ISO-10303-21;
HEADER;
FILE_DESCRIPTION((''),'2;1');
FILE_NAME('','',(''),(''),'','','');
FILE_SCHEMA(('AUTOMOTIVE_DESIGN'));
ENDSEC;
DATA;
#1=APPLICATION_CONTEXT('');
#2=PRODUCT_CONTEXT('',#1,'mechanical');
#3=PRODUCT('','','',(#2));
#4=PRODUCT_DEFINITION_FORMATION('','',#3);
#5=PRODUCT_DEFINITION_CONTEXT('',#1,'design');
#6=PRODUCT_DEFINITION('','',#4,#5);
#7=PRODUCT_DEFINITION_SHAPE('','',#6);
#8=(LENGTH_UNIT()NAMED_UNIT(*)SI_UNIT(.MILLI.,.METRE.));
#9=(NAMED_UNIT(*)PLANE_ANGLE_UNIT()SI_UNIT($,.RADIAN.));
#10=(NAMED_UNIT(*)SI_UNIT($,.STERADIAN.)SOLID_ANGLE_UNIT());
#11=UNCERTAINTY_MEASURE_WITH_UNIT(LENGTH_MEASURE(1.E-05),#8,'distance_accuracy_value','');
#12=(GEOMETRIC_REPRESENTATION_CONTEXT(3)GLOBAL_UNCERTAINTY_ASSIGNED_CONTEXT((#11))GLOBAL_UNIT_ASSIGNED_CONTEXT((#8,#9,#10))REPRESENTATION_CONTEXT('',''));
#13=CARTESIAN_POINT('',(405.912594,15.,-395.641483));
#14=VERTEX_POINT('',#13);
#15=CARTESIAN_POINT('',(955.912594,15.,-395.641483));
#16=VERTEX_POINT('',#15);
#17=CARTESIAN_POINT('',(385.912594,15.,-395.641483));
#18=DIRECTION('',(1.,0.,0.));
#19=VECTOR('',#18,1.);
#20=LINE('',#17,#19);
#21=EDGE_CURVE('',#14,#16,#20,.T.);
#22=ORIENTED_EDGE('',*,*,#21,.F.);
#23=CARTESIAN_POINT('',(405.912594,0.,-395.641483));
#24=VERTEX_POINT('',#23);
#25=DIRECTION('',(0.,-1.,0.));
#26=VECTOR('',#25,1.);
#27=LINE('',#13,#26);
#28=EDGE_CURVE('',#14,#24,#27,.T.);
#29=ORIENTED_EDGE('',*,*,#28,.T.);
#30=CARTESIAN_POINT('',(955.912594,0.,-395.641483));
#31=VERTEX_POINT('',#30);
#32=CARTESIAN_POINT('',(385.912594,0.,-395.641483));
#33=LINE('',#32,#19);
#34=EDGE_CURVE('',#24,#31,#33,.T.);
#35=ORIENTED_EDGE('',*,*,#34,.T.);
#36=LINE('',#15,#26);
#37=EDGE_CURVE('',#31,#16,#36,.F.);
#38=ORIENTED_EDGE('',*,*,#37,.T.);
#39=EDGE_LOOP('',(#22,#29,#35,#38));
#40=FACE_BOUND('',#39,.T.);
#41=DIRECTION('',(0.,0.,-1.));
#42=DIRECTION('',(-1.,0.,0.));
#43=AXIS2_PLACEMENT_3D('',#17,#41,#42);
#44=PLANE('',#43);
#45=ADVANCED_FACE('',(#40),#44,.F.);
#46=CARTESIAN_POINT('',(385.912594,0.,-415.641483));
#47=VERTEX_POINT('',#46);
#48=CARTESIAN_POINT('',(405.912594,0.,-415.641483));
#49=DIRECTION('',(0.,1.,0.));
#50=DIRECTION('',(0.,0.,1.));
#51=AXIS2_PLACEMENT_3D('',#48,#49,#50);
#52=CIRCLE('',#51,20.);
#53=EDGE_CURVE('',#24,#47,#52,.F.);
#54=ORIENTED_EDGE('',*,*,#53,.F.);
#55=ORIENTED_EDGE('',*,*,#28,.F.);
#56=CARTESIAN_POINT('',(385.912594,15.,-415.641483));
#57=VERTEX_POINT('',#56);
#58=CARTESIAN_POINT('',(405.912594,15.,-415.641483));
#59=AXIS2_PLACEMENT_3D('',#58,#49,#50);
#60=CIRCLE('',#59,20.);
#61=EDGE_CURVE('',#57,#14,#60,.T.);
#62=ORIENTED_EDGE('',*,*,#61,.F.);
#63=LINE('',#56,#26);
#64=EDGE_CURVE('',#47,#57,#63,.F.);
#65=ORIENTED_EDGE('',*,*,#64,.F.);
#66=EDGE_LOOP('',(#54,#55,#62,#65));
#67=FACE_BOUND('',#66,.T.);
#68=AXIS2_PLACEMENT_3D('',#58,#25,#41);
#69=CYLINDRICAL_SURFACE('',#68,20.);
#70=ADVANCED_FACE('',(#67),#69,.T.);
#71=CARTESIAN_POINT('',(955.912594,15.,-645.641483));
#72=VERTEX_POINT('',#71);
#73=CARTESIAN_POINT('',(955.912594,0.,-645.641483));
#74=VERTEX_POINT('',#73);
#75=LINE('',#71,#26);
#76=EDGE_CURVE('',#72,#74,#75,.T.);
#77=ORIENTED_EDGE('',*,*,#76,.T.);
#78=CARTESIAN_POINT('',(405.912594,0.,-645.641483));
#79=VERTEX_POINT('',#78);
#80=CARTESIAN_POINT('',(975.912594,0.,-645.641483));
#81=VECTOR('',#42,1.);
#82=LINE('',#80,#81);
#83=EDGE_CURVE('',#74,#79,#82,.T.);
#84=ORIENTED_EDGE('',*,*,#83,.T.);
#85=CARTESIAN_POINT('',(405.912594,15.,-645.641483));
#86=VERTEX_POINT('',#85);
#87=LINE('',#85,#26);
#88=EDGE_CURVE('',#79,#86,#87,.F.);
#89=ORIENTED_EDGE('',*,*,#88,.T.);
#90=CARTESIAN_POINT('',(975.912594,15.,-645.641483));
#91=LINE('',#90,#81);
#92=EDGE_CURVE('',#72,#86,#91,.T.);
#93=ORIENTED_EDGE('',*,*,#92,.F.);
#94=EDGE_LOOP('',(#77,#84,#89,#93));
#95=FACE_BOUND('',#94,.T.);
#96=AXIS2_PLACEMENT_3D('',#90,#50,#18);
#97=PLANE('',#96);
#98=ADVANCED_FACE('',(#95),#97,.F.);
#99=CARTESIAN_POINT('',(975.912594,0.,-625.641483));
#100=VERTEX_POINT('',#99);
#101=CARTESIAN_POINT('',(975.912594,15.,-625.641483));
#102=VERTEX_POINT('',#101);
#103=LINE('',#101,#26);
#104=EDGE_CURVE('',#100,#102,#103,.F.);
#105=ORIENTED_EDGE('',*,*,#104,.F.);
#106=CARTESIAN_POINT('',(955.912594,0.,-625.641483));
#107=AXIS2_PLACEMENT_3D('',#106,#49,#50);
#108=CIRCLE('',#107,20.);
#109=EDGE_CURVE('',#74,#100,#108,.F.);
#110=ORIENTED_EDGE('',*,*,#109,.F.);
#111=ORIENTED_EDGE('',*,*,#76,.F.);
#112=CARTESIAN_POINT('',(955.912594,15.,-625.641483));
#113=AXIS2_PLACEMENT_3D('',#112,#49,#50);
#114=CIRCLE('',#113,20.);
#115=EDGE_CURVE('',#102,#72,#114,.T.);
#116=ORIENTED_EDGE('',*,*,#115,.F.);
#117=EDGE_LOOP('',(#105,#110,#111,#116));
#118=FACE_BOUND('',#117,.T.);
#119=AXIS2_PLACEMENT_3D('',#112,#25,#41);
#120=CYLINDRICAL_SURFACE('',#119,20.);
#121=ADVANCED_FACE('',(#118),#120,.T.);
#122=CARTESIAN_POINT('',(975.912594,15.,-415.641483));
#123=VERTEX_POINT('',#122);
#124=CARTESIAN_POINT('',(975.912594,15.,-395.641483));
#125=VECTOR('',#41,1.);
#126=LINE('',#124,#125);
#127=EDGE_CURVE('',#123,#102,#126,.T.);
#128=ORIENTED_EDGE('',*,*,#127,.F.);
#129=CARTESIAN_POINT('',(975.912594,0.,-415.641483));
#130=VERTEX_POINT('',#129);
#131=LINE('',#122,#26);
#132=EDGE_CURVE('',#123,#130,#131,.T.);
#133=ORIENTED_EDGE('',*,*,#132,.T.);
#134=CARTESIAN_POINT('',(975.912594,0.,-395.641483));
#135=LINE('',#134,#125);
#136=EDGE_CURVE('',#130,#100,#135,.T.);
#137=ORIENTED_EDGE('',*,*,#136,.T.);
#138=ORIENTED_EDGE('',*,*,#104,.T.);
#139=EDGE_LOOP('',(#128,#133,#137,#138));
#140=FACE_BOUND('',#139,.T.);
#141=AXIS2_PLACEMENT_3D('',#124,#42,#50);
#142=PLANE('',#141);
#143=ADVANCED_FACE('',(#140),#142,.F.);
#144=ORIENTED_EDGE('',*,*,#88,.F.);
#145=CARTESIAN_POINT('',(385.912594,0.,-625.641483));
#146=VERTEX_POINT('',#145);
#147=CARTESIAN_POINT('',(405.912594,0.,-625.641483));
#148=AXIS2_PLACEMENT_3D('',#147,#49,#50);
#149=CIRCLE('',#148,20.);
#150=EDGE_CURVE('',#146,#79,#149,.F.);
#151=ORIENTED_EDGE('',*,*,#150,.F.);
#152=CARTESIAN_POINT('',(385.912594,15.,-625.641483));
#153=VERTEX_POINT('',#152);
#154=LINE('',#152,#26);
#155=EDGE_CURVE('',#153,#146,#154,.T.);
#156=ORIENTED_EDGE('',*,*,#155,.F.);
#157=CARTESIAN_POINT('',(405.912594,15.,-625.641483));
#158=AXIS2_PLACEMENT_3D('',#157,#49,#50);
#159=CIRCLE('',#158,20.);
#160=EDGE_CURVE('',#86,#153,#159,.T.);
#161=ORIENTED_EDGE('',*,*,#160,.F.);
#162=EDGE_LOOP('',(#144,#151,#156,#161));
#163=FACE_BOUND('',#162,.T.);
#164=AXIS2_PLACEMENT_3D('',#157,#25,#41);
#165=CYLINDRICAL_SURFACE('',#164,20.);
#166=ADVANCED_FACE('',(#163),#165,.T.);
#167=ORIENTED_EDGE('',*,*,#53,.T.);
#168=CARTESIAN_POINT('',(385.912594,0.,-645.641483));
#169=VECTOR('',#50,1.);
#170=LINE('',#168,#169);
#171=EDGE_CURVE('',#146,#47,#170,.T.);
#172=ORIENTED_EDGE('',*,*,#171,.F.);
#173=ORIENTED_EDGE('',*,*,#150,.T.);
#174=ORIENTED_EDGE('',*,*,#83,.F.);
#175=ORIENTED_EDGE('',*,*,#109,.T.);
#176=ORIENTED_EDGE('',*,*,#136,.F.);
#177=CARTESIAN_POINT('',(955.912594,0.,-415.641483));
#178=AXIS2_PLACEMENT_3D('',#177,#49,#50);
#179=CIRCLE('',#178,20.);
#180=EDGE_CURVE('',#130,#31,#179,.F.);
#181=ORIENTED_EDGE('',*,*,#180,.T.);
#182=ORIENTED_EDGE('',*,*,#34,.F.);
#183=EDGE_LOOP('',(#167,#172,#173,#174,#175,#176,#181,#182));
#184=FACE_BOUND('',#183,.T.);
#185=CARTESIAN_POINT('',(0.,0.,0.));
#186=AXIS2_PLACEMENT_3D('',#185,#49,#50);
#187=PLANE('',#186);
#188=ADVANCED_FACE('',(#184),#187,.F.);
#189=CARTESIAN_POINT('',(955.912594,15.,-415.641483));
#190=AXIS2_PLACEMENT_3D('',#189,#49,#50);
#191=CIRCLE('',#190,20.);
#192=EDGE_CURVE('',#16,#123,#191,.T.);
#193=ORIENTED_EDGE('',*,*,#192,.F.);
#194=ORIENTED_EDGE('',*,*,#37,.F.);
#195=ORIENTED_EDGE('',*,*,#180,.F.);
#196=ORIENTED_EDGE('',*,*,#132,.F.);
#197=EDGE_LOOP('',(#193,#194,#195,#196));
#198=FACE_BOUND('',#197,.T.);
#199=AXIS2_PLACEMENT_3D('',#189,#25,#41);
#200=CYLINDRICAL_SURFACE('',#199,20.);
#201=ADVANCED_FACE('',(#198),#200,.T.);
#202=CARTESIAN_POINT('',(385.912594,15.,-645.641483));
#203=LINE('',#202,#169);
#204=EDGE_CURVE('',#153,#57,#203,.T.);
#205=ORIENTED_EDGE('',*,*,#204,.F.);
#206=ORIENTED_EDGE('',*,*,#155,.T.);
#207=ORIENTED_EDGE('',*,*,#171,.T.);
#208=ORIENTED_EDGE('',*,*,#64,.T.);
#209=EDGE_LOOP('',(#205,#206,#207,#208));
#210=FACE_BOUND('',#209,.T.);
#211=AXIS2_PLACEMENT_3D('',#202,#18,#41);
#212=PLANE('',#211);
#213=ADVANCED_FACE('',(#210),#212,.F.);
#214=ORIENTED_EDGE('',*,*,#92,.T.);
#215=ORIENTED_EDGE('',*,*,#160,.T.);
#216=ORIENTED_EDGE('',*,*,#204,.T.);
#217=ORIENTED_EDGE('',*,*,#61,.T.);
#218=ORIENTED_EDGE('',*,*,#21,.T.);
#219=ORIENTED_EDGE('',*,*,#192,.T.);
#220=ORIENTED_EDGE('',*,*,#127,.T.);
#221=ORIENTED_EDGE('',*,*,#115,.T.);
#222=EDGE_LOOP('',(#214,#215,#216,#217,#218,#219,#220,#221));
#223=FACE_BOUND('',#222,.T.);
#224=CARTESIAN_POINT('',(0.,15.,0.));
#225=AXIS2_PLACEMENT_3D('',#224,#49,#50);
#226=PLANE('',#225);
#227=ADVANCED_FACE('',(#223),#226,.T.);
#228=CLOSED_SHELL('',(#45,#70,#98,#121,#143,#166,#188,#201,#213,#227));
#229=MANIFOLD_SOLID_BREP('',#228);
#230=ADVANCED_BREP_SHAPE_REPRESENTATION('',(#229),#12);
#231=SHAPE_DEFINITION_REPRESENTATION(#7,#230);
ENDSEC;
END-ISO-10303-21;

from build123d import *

# Parameters (mm, degrees)
SKETCH_1_W      = 590
SKETCH_1_H      = 250
EXTRUDE_1_DEPTH = 15
FILLET_1_R      = 20


with BuildPart() as part:
    # 草图1 → 凸台-拉伸1 (new body)
    with BuildSketch(Plane(origin=(0, 0, 0), x_dir=(1, 0, 0), z_dir=(0, 1, 0))):
        with Locations((680.912594327, 520.64148326)):
            Rectangle(SKETCH_1_W, SKETCH_1_H)
    extrude(amount=EXTRUDE_1_DEPTH)

    # 圆角1
    fillet_1_edges = [part.edges().sort_by_distance(p)[0] for p in [
        (385.912594327, 7.5, -645.64148326),
        (975.912594327, 7.5, -645.64148326),
        (975.912594327, 7.5, -395.64148326),
        (385.912594327, 7.5, -395.64148326),
    ]]
    fillet(fillet_1_edges, radius=FILLET_1_R)


solid = part.part
